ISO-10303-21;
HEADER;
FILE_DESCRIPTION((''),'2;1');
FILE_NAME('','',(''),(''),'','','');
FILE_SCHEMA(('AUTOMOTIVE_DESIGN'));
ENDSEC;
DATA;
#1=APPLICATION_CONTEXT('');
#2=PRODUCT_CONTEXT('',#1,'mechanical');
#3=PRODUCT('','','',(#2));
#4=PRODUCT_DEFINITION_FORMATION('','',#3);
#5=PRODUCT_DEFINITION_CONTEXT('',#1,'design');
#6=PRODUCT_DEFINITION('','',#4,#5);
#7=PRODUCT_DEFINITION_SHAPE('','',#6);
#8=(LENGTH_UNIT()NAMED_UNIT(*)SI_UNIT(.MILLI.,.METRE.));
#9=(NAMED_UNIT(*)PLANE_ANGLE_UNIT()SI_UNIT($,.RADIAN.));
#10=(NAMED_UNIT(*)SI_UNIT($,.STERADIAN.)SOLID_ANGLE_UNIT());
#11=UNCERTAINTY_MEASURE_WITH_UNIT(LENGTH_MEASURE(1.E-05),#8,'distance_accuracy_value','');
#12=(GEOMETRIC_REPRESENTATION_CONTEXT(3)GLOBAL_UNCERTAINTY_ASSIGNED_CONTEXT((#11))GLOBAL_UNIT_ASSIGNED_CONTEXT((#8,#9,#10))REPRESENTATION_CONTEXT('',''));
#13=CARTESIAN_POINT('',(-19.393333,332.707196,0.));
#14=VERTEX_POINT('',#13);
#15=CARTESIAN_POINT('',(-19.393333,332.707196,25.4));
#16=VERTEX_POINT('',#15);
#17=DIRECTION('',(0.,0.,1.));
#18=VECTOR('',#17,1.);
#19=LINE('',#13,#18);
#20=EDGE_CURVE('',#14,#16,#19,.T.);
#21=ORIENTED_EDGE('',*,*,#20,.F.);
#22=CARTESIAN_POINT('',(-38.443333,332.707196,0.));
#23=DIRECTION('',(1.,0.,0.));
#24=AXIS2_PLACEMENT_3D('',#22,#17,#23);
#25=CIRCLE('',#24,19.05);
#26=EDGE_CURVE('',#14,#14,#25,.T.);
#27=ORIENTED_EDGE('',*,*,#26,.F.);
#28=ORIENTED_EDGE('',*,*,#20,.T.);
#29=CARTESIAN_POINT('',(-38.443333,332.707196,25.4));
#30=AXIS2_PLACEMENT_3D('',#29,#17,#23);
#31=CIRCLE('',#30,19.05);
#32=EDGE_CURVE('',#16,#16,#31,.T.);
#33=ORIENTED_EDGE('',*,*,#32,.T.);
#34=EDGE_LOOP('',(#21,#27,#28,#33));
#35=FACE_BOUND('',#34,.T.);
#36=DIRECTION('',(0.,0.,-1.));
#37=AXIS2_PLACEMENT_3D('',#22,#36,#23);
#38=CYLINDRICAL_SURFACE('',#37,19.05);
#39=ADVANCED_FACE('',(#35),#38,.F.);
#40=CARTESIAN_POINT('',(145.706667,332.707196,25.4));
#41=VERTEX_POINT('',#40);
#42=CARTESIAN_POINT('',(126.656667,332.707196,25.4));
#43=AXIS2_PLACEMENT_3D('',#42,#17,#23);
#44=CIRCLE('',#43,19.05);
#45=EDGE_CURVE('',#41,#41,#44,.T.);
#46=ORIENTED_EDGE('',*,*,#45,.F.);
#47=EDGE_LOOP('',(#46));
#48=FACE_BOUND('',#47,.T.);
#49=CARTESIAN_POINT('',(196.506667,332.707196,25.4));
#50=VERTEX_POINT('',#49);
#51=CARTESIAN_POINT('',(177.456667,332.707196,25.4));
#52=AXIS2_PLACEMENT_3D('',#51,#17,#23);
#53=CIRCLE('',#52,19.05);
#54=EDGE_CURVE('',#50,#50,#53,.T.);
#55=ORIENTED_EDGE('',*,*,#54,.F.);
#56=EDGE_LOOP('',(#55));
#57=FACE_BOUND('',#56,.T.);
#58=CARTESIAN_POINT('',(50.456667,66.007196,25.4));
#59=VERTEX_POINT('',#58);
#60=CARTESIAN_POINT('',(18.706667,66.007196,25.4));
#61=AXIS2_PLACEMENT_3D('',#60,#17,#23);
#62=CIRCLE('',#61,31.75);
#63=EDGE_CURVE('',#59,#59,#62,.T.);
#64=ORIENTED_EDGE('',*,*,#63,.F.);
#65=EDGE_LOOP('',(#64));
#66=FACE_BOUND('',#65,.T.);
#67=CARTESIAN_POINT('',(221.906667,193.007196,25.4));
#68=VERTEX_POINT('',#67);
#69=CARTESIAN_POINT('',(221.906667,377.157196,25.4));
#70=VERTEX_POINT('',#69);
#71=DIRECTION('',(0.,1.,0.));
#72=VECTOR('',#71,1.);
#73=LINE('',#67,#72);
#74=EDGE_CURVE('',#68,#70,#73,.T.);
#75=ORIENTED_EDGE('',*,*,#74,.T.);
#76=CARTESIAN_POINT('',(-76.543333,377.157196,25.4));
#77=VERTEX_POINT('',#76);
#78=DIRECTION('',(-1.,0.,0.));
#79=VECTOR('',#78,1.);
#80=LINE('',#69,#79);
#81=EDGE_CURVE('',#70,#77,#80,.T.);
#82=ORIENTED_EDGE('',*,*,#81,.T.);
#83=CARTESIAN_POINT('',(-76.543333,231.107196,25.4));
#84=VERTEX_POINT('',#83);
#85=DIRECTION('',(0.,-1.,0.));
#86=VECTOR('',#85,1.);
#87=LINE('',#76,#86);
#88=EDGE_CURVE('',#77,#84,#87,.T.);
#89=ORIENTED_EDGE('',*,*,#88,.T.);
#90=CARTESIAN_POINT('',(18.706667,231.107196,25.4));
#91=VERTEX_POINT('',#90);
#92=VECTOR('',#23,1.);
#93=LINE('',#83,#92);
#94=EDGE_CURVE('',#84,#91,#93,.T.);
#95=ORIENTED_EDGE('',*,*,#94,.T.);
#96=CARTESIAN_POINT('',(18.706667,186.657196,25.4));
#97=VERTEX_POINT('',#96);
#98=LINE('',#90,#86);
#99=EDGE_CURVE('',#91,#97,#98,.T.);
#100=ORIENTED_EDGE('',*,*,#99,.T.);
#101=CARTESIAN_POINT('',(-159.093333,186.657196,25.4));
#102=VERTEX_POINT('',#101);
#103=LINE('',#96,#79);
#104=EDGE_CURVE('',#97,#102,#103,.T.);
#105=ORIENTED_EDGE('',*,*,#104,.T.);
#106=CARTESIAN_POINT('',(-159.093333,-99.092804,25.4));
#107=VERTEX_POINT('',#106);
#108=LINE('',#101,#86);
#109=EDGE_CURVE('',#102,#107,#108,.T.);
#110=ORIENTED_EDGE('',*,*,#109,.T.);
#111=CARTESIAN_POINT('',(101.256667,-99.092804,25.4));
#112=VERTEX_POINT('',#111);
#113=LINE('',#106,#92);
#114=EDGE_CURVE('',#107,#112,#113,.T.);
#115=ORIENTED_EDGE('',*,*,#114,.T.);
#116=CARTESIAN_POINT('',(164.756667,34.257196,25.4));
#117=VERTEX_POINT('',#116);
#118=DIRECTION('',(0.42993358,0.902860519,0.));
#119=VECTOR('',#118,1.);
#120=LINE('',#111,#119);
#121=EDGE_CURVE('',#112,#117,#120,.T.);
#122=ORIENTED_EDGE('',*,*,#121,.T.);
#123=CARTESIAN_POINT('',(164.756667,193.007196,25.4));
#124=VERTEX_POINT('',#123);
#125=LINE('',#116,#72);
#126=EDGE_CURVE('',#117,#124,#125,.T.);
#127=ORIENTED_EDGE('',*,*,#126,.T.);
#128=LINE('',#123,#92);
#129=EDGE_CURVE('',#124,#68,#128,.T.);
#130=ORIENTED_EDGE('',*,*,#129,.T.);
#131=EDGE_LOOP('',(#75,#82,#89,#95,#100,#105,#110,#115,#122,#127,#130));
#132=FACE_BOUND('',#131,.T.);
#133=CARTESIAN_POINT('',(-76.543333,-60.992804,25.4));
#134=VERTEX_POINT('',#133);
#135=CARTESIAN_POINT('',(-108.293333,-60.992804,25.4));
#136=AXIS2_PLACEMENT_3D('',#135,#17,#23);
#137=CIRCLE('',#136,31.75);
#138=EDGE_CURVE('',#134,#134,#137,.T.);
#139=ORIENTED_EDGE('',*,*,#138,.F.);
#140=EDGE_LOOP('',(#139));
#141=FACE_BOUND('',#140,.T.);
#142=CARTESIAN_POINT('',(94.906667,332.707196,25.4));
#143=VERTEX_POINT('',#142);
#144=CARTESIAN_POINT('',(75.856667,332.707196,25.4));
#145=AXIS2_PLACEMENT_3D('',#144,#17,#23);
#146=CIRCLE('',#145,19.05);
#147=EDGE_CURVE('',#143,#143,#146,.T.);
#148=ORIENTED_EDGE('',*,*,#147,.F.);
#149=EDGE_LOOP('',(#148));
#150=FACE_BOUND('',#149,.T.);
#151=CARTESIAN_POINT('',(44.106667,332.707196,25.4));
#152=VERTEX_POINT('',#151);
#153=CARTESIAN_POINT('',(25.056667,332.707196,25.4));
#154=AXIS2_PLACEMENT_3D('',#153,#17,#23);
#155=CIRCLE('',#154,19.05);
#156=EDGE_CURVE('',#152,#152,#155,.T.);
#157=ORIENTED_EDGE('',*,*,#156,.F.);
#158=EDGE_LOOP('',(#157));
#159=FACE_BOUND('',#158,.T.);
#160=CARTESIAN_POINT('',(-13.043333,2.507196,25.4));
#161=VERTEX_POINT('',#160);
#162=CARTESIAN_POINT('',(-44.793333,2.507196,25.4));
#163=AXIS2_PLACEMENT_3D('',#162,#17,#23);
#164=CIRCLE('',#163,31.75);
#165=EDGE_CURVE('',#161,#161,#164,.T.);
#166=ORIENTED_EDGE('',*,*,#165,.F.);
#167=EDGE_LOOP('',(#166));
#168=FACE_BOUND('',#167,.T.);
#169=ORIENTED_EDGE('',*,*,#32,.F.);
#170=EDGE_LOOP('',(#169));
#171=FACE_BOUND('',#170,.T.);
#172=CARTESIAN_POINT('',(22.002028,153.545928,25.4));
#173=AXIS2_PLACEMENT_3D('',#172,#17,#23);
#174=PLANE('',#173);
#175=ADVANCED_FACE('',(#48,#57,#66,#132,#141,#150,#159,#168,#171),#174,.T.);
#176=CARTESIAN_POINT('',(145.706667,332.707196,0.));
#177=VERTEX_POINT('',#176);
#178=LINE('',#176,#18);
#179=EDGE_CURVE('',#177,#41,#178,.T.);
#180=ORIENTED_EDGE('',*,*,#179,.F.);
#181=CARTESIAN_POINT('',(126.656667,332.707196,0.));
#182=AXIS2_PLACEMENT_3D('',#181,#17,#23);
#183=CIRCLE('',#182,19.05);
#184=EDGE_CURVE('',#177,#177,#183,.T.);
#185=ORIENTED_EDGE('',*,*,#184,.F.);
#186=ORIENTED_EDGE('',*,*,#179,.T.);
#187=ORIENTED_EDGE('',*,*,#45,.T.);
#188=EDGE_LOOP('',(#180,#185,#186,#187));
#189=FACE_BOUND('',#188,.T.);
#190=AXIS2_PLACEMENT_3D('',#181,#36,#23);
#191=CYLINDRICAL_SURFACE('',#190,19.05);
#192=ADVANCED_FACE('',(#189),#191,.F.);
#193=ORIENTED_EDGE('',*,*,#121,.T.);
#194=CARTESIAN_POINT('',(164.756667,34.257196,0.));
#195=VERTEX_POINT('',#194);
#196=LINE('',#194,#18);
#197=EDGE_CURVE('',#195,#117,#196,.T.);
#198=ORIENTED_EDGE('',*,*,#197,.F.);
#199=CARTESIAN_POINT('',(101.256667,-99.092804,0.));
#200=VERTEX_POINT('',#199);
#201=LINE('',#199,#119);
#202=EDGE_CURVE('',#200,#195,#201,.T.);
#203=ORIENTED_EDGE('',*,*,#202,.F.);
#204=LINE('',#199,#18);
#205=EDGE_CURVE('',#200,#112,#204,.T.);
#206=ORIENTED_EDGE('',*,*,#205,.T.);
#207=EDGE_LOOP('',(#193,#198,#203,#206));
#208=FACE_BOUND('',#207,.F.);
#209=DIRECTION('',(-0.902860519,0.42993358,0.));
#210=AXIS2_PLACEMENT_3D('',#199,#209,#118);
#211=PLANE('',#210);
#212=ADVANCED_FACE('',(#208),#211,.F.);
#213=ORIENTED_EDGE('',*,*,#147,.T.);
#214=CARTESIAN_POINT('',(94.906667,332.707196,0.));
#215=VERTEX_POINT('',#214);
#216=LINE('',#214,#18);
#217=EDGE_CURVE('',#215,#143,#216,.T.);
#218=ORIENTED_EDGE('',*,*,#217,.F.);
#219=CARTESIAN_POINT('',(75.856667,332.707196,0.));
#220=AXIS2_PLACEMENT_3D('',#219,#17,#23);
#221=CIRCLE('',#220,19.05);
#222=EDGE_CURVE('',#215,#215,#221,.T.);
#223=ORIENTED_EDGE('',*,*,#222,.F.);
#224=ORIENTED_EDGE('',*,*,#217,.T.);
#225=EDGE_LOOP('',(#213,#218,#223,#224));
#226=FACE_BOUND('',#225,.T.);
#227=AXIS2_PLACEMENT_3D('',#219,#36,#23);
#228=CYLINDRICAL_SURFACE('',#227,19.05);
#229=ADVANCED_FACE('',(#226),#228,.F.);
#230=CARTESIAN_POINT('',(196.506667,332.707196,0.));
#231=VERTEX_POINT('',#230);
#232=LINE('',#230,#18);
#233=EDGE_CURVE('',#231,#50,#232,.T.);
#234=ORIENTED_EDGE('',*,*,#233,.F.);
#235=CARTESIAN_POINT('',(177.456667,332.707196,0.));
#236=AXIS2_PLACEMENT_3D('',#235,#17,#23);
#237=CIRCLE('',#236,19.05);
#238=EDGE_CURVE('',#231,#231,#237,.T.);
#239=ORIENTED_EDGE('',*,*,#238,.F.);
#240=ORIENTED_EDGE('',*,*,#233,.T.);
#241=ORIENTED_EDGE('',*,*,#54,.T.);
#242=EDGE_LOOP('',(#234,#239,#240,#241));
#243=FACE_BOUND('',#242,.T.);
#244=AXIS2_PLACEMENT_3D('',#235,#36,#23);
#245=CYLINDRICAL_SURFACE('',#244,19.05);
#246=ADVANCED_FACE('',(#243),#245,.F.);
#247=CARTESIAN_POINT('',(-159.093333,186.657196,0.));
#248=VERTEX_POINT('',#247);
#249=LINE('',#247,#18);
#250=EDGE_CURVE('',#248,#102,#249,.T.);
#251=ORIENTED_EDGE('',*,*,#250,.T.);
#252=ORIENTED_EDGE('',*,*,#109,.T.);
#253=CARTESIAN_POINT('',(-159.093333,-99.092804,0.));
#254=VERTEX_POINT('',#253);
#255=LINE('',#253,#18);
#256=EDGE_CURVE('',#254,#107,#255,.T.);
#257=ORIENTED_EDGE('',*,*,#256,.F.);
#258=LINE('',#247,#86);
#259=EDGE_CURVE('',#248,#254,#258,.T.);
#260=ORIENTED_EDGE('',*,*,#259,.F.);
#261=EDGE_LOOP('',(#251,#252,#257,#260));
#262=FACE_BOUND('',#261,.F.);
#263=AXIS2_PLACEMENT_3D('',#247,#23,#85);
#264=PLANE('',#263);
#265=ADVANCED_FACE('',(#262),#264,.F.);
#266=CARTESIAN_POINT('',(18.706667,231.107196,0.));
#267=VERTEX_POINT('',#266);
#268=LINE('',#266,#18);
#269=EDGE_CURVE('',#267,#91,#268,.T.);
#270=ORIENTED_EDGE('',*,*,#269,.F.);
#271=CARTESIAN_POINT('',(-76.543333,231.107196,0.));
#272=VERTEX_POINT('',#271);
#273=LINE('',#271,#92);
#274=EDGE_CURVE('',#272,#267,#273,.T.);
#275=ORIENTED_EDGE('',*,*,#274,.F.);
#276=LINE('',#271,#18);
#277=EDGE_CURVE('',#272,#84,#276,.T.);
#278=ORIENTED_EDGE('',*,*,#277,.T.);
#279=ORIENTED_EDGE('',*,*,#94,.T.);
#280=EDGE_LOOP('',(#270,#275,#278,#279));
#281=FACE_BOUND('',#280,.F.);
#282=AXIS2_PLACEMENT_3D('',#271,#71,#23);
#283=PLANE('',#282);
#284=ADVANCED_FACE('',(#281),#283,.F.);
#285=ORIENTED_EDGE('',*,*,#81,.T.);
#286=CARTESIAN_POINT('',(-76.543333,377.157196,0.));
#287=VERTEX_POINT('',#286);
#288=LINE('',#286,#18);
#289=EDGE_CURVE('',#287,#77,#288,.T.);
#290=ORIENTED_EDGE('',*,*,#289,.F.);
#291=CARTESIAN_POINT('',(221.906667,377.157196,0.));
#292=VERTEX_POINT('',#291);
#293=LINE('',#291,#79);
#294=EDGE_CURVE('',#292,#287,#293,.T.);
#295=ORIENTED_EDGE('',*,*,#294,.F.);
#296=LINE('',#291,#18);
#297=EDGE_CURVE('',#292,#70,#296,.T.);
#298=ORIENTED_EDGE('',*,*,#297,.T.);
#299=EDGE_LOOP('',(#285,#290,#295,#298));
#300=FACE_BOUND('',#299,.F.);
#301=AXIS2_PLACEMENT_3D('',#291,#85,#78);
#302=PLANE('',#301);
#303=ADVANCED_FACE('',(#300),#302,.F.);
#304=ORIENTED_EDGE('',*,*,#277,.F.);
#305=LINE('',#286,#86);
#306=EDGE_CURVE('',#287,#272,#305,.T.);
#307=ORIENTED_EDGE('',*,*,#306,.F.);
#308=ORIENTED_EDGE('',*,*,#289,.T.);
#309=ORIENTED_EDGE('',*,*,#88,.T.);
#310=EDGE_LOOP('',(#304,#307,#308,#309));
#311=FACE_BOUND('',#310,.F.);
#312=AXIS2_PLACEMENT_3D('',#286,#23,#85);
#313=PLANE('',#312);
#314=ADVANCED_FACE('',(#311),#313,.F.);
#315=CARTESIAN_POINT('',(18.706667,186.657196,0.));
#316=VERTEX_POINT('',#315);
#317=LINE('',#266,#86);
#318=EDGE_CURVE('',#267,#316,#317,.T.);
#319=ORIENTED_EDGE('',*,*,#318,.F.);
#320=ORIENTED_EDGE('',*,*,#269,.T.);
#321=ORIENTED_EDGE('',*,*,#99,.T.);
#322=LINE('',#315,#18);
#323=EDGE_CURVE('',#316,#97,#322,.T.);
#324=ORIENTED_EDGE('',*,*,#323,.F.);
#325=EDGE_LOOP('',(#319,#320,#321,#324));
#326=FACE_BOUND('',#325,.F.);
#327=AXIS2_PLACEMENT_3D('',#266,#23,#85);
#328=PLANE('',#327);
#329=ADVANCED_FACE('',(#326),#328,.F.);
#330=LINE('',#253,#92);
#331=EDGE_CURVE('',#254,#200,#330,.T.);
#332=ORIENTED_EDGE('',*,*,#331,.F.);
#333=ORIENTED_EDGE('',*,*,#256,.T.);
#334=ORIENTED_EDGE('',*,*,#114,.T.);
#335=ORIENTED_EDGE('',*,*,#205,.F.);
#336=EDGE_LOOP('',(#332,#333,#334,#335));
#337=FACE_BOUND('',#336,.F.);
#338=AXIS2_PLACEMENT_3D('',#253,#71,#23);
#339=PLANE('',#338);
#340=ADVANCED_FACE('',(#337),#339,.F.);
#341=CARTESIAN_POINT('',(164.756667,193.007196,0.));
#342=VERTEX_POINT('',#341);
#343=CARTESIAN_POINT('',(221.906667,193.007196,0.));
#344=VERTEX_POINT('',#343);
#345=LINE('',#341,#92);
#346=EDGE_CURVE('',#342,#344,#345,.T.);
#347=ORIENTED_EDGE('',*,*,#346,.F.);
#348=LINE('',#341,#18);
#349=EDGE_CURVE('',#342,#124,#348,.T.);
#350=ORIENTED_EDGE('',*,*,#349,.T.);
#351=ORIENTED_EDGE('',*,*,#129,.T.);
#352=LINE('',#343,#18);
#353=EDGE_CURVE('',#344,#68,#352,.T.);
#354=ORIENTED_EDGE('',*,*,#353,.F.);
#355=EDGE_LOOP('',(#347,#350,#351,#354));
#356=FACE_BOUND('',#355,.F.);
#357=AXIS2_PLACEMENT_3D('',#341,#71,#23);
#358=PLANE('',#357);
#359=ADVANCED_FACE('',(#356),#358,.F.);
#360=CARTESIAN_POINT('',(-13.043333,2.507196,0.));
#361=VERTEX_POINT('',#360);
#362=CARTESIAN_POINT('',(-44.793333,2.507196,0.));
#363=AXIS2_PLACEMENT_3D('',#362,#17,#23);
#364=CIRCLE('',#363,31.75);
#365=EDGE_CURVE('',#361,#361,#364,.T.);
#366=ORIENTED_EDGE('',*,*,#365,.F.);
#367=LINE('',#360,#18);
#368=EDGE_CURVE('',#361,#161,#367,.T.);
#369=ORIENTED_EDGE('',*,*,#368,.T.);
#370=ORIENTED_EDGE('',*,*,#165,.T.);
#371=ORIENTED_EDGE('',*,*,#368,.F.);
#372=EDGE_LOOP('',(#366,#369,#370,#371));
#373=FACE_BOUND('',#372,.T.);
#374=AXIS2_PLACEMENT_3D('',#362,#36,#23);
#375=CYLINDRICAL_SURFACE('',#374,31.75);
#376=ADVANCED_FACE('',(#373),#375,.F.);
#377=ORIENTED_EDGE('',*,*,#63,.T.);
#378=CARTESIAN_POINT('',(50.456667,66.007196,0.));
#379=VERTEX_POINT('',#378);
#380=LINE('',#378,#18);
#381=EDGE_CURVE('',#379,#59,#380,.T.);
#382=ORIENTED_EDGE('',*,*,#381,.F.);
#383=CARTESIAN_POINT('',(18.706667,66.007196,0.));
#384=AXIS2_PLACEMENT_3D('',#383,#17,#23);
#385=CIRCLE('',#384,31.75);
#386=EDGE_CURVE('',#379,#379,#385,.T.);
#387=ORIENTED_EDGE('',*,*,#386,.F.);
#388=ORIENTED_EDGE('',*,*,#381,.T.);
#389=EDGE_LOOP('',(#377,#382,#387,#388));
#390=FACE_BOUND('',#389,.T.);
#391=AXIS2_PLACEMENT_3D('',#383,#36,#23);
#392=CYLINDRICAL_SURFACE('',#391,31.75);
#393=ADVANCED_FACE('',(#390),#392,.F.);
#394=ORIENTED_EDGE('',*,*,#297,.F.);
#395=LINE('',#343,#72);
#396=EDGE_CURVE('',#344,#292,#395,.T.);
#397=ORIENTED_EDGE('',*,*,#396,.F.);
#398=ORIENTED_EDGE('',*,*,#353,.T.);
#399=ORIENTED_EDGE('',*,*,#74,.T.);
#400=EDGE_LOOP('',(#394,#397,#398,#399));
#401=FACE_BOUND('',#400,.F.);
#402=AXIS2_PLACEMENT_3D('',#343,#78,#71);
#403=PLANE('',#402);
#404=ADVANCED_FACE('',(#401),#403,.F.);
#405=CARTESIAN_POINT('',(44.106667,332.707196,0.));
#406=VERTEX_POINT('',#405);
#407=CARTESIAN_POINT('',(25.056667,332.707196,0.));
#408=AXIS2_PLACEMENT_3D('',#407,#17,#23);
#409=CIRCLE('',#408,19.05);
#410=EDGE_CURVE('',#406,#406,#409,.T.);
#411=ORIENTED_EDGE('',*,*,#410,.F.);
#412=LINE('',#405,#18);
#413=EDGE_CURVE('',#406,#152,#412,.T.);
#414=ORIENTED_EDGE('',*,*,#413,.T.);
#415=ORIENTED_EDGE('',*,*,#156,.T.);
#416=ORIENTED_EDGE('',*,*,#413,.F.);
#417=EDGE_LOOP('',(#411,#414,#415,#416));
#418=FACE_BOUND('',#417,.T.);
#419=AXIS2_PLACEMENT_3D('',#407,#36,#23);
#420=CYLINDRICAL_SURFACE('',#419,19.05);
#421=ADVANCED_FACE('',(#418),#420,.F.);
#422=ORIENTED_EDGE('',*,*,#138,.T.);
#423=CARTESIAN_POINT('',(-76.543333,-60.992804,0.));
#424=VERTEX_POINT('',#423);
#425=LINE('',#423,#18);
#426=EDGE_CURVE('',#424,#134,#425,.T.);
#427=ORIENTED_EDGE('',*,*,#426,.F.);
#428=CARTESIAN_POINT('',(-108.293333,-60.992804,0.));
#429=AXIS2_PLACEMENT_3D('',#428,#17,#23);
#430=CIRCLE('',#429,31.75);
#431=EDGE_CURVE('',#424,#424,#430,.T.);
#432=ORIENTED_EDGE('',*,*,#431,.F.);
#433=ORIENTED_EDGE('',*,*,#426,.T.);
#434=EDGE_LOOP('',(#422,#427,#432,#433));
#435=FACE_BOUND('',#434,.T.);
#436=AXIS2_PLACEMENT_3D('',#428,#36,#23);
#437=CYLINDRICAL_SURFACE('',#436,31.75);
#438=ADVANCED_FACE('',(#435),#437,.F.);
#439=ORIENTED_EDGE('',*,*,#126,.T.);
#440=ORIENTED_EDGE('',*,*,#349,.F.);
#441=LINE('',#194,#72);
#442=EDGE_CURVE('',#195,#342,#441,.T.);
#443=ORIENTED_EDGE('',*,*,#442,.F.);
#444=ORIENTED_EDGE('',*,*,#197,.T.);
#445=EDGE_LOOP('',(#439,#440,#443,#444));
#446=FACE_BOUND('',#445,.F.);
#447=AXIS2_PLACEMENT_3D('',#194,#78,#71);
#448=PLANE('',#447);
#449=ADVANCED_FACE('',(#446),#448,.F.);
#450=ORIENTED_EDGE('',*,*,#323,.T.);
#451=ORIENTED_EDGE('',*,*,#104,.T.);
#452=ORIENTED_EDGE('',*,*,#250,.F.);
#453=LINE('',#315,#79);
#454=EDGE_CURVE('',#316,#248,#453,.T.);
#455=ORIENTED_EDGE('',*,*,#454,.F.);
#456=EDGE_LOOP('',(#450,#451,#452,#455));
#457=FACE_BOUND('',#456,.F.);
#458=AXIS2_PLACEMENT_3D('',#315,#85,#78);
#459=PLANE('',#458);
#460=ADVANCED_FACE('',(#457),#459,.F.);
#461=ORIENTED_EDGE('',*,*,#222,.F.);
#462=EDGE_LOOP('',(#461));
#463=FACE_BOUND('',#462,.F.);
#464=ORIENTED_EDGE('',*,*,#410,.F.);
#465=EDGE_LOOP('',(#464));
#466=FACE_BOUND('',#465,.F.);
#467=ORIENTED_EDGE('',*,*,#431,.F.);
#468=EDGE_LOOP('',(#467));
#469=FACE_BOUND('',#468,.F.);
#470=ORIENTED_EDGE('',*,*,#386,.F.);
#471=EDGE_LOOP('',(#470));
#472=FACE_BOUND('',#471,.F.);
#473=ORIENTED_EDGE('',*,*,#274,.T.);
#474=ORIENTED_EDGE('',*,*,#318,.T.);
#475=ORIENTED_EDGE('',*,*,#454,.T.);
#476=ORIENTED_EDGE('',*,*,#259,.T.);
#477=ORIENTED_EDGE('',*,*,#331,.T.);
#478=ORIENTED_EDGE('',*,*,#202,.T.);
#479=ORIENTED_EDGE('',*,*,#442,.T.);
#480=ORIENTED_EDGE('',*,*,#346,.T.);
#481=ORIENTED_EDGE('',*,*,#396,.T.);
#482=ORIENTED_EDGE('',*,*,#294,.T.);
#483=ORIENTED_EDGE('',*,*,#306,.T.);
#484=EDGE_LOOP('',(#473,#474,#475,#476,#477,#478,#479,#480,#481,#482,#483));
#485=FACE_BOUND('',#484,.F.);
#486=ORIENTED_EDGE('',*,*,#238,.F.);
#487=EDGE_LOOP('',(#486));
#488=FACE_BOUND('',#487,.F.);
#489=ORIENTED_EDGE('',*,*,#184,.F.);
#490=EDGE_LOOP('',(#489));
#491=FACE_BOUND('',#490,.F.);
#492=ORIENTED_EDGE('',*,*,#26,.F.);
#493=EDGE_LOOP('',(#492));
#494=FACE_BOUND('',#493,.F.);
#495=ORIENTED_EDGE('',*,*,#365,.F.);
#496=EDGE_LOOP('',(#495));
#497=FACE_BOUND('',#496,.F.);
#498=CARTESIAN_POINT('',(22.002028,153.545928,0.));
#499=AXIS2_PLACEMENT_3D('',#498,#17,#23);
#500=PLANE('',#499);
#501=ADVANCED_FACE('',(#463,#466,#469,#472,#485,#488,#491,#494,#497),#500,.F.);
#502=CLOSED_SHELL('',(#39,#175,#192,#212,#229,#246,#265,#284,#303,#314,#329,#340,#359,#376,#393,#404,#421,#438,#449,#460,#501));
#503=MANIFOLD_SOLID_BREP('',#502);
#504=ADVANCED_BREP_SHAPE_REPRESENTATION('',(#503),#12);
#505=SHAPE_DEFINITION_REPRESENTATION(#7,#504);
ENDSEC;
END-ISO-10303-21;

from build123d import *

# Parameters (mm, degrees)
F0_R     = 31.75
F0_R_2   = 19.05
F1_DEPTH = 25.4


with BuildPart() as f1:
    # F0 (on Top) → F1 (new body)
    with BuildSketch(Plane.XY):
        Polygon((-159.093333, 186.657196), (-159.093333, -99.092804), (101.256667, -99.092804), (164.756667, 34.257196), (164.756667, 193.007196), (221.906667, 193.007196), (221.906667, 377.157196), (177.456667, 377.157196), (-76.543333, 377.157196), (-76.543333, 231.107196), (18.706667, 231.107196), (18.706667, 186.657196), align=None)
        with Locations((-108.293333, -60.992804)):
            Circle(F0_R, mode=Mode.SUBTRACT)
        with Locations((-44.793333, 2.507196)):
            Circle(F0_R, mode=Mode.SUBTRACT)
        with Locations((18.706667, 66.007196)):
            Circle(F0_R, mode=Mode.SUBTRACT)
        with Locations((-38.443333, 332.707196)):
            Circle(F0_R_2, mode=Mode.SUBTRACT)
        with Locations((25.056667, 332.707196)):
            Circle(F0_R_2, mode=Mode.SUBTRACT)
        with Locations((75.856667, 332.707196)):
            Circle(F0_R_2, mode=Mode.SUBTRACT)
        with Locations((126.656667, 332.707196)):
            Circle(F0_R_2, mode=Mode.SUBTRACT)
        with Locations((177.456667, 332.707196)):
            Circle(F0_R_2, mode=Mode.SUBTRACT)
    extrude(amount=F1_DEPTH)


solid = f1.part
